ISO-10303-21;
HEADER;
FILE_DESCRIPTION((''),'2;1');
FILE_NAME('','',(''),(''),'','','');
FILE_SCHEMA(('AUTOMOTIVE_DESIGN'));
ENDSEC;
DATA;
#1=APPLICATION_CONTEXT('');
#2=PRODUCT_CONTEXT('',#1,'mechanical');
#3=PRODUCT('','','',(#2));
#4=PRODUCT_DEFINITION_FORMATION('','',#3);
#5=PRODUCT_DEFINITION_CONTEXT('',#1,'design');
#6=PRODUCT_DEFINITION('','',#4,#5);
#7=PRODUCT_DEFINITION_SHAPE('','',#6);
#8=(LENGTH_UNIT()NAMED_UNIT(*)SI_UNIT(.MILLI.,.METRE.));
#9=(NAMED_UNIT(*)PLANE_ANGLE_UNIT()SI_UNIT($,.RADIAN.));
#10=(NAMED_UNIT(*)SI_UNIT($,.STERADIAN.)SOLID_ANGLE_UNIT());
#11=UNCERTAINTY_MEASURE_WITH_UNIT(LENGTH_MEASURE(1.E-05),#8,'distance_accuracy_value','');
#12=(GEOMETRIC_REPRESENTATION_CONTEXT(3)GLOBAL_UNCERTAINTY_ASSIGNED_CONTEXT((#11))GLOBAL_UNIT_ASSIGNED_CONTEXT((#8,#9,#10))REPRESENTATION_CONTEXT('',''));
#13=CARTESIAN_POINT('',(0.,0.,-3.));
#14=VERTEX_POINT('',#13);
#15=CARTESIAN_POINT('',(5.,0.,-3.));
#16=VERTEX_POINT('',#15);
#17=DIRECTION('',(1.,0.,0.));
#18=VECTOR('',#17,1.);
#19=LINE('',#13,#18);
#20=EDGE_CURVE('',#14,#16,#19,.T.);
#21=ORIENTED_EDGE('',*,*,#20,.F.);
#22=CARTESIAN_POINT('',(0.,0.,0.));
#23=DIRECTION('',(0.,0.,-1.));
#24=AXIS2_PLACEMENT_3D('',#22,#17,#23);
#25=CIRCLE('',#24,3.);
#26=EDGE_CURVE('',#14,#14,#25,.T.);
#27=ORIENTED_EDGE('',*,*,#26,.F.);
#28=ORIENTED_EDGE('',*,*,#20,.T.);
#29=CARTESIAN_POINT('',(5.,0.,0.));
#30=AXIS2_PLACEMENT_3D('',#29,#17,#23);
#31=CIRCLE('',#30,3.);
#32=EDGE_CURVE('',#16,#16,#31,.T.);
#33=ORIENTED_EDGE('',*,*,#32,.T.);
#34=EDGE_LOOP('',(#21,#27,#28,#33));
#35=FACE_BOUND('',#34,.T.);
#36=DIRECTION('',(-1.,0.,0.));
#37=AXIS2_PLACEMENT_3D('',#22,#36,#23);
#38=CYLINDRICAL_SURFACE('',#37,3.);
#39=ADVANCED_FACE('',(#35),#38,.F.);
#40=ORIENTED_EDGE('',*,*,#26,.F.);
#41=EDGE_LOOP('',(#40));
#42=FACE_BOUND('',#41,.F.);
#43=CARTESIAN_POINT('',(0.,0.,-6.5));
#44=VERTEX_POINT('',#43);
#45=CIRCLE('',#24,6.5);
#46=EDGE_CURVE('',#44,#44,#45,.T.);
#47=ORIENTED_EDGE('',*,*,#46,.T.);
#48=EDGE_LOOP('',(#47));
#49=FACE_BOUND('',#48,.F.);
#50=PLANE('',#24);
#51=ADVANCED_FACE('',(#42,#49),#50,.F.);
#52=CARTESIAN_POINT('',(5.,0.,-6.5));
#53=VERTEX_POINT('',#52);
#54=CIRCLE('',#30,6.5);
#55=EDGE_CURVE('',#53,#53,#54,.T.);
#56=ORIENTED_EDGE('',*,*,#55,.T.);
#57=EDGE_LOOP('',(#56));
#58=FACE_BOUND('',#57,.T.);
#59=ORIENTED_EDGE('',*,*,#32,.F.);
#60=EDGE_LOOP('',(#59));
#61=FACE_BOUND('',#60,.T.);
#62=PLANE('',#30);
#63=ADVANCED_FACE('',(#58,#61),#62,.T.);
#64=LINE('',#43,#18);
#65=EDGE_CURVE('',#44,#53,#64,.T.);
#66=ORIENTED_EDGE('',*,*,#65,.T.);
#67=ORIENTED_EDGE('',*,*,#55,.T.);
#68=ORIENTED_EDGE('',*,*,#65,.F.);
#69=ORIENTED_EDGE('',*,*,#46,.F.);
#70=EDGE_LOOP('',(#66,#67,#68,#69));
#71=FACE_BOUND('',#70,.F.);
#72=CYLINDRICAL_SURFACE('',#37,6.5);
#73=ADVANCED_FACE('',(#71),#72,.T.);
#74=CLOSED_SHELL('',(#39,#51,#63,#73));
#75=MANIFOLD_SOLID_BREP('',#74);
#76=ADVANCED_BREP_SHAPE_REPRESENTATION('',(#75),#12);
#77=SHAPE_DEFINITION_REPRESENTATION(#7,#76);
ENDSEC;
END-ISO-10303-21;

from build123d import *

# Parameters (mm, degrees)
SKETCH_1_R      = 6.5
SKETCH_1_R_2    = 3
EXTRUDE_1_DEPTH = 5


with BuildPart() as part:
    # 草图1 → 凸台-拉伸1 (new body)
    with BuildSketch(Plane(origin=(0, 0, 0), x_dir=(0, 0, -1), z_dir=(1, 0, 0))):
        Circle(SKETCH_1_R)
        Circle(SKETCH_1_R_2, mode=Mode.SUBTRACT)
    extrude(amount=EXTRUDE_1_DEPTH)


solid = part.part
